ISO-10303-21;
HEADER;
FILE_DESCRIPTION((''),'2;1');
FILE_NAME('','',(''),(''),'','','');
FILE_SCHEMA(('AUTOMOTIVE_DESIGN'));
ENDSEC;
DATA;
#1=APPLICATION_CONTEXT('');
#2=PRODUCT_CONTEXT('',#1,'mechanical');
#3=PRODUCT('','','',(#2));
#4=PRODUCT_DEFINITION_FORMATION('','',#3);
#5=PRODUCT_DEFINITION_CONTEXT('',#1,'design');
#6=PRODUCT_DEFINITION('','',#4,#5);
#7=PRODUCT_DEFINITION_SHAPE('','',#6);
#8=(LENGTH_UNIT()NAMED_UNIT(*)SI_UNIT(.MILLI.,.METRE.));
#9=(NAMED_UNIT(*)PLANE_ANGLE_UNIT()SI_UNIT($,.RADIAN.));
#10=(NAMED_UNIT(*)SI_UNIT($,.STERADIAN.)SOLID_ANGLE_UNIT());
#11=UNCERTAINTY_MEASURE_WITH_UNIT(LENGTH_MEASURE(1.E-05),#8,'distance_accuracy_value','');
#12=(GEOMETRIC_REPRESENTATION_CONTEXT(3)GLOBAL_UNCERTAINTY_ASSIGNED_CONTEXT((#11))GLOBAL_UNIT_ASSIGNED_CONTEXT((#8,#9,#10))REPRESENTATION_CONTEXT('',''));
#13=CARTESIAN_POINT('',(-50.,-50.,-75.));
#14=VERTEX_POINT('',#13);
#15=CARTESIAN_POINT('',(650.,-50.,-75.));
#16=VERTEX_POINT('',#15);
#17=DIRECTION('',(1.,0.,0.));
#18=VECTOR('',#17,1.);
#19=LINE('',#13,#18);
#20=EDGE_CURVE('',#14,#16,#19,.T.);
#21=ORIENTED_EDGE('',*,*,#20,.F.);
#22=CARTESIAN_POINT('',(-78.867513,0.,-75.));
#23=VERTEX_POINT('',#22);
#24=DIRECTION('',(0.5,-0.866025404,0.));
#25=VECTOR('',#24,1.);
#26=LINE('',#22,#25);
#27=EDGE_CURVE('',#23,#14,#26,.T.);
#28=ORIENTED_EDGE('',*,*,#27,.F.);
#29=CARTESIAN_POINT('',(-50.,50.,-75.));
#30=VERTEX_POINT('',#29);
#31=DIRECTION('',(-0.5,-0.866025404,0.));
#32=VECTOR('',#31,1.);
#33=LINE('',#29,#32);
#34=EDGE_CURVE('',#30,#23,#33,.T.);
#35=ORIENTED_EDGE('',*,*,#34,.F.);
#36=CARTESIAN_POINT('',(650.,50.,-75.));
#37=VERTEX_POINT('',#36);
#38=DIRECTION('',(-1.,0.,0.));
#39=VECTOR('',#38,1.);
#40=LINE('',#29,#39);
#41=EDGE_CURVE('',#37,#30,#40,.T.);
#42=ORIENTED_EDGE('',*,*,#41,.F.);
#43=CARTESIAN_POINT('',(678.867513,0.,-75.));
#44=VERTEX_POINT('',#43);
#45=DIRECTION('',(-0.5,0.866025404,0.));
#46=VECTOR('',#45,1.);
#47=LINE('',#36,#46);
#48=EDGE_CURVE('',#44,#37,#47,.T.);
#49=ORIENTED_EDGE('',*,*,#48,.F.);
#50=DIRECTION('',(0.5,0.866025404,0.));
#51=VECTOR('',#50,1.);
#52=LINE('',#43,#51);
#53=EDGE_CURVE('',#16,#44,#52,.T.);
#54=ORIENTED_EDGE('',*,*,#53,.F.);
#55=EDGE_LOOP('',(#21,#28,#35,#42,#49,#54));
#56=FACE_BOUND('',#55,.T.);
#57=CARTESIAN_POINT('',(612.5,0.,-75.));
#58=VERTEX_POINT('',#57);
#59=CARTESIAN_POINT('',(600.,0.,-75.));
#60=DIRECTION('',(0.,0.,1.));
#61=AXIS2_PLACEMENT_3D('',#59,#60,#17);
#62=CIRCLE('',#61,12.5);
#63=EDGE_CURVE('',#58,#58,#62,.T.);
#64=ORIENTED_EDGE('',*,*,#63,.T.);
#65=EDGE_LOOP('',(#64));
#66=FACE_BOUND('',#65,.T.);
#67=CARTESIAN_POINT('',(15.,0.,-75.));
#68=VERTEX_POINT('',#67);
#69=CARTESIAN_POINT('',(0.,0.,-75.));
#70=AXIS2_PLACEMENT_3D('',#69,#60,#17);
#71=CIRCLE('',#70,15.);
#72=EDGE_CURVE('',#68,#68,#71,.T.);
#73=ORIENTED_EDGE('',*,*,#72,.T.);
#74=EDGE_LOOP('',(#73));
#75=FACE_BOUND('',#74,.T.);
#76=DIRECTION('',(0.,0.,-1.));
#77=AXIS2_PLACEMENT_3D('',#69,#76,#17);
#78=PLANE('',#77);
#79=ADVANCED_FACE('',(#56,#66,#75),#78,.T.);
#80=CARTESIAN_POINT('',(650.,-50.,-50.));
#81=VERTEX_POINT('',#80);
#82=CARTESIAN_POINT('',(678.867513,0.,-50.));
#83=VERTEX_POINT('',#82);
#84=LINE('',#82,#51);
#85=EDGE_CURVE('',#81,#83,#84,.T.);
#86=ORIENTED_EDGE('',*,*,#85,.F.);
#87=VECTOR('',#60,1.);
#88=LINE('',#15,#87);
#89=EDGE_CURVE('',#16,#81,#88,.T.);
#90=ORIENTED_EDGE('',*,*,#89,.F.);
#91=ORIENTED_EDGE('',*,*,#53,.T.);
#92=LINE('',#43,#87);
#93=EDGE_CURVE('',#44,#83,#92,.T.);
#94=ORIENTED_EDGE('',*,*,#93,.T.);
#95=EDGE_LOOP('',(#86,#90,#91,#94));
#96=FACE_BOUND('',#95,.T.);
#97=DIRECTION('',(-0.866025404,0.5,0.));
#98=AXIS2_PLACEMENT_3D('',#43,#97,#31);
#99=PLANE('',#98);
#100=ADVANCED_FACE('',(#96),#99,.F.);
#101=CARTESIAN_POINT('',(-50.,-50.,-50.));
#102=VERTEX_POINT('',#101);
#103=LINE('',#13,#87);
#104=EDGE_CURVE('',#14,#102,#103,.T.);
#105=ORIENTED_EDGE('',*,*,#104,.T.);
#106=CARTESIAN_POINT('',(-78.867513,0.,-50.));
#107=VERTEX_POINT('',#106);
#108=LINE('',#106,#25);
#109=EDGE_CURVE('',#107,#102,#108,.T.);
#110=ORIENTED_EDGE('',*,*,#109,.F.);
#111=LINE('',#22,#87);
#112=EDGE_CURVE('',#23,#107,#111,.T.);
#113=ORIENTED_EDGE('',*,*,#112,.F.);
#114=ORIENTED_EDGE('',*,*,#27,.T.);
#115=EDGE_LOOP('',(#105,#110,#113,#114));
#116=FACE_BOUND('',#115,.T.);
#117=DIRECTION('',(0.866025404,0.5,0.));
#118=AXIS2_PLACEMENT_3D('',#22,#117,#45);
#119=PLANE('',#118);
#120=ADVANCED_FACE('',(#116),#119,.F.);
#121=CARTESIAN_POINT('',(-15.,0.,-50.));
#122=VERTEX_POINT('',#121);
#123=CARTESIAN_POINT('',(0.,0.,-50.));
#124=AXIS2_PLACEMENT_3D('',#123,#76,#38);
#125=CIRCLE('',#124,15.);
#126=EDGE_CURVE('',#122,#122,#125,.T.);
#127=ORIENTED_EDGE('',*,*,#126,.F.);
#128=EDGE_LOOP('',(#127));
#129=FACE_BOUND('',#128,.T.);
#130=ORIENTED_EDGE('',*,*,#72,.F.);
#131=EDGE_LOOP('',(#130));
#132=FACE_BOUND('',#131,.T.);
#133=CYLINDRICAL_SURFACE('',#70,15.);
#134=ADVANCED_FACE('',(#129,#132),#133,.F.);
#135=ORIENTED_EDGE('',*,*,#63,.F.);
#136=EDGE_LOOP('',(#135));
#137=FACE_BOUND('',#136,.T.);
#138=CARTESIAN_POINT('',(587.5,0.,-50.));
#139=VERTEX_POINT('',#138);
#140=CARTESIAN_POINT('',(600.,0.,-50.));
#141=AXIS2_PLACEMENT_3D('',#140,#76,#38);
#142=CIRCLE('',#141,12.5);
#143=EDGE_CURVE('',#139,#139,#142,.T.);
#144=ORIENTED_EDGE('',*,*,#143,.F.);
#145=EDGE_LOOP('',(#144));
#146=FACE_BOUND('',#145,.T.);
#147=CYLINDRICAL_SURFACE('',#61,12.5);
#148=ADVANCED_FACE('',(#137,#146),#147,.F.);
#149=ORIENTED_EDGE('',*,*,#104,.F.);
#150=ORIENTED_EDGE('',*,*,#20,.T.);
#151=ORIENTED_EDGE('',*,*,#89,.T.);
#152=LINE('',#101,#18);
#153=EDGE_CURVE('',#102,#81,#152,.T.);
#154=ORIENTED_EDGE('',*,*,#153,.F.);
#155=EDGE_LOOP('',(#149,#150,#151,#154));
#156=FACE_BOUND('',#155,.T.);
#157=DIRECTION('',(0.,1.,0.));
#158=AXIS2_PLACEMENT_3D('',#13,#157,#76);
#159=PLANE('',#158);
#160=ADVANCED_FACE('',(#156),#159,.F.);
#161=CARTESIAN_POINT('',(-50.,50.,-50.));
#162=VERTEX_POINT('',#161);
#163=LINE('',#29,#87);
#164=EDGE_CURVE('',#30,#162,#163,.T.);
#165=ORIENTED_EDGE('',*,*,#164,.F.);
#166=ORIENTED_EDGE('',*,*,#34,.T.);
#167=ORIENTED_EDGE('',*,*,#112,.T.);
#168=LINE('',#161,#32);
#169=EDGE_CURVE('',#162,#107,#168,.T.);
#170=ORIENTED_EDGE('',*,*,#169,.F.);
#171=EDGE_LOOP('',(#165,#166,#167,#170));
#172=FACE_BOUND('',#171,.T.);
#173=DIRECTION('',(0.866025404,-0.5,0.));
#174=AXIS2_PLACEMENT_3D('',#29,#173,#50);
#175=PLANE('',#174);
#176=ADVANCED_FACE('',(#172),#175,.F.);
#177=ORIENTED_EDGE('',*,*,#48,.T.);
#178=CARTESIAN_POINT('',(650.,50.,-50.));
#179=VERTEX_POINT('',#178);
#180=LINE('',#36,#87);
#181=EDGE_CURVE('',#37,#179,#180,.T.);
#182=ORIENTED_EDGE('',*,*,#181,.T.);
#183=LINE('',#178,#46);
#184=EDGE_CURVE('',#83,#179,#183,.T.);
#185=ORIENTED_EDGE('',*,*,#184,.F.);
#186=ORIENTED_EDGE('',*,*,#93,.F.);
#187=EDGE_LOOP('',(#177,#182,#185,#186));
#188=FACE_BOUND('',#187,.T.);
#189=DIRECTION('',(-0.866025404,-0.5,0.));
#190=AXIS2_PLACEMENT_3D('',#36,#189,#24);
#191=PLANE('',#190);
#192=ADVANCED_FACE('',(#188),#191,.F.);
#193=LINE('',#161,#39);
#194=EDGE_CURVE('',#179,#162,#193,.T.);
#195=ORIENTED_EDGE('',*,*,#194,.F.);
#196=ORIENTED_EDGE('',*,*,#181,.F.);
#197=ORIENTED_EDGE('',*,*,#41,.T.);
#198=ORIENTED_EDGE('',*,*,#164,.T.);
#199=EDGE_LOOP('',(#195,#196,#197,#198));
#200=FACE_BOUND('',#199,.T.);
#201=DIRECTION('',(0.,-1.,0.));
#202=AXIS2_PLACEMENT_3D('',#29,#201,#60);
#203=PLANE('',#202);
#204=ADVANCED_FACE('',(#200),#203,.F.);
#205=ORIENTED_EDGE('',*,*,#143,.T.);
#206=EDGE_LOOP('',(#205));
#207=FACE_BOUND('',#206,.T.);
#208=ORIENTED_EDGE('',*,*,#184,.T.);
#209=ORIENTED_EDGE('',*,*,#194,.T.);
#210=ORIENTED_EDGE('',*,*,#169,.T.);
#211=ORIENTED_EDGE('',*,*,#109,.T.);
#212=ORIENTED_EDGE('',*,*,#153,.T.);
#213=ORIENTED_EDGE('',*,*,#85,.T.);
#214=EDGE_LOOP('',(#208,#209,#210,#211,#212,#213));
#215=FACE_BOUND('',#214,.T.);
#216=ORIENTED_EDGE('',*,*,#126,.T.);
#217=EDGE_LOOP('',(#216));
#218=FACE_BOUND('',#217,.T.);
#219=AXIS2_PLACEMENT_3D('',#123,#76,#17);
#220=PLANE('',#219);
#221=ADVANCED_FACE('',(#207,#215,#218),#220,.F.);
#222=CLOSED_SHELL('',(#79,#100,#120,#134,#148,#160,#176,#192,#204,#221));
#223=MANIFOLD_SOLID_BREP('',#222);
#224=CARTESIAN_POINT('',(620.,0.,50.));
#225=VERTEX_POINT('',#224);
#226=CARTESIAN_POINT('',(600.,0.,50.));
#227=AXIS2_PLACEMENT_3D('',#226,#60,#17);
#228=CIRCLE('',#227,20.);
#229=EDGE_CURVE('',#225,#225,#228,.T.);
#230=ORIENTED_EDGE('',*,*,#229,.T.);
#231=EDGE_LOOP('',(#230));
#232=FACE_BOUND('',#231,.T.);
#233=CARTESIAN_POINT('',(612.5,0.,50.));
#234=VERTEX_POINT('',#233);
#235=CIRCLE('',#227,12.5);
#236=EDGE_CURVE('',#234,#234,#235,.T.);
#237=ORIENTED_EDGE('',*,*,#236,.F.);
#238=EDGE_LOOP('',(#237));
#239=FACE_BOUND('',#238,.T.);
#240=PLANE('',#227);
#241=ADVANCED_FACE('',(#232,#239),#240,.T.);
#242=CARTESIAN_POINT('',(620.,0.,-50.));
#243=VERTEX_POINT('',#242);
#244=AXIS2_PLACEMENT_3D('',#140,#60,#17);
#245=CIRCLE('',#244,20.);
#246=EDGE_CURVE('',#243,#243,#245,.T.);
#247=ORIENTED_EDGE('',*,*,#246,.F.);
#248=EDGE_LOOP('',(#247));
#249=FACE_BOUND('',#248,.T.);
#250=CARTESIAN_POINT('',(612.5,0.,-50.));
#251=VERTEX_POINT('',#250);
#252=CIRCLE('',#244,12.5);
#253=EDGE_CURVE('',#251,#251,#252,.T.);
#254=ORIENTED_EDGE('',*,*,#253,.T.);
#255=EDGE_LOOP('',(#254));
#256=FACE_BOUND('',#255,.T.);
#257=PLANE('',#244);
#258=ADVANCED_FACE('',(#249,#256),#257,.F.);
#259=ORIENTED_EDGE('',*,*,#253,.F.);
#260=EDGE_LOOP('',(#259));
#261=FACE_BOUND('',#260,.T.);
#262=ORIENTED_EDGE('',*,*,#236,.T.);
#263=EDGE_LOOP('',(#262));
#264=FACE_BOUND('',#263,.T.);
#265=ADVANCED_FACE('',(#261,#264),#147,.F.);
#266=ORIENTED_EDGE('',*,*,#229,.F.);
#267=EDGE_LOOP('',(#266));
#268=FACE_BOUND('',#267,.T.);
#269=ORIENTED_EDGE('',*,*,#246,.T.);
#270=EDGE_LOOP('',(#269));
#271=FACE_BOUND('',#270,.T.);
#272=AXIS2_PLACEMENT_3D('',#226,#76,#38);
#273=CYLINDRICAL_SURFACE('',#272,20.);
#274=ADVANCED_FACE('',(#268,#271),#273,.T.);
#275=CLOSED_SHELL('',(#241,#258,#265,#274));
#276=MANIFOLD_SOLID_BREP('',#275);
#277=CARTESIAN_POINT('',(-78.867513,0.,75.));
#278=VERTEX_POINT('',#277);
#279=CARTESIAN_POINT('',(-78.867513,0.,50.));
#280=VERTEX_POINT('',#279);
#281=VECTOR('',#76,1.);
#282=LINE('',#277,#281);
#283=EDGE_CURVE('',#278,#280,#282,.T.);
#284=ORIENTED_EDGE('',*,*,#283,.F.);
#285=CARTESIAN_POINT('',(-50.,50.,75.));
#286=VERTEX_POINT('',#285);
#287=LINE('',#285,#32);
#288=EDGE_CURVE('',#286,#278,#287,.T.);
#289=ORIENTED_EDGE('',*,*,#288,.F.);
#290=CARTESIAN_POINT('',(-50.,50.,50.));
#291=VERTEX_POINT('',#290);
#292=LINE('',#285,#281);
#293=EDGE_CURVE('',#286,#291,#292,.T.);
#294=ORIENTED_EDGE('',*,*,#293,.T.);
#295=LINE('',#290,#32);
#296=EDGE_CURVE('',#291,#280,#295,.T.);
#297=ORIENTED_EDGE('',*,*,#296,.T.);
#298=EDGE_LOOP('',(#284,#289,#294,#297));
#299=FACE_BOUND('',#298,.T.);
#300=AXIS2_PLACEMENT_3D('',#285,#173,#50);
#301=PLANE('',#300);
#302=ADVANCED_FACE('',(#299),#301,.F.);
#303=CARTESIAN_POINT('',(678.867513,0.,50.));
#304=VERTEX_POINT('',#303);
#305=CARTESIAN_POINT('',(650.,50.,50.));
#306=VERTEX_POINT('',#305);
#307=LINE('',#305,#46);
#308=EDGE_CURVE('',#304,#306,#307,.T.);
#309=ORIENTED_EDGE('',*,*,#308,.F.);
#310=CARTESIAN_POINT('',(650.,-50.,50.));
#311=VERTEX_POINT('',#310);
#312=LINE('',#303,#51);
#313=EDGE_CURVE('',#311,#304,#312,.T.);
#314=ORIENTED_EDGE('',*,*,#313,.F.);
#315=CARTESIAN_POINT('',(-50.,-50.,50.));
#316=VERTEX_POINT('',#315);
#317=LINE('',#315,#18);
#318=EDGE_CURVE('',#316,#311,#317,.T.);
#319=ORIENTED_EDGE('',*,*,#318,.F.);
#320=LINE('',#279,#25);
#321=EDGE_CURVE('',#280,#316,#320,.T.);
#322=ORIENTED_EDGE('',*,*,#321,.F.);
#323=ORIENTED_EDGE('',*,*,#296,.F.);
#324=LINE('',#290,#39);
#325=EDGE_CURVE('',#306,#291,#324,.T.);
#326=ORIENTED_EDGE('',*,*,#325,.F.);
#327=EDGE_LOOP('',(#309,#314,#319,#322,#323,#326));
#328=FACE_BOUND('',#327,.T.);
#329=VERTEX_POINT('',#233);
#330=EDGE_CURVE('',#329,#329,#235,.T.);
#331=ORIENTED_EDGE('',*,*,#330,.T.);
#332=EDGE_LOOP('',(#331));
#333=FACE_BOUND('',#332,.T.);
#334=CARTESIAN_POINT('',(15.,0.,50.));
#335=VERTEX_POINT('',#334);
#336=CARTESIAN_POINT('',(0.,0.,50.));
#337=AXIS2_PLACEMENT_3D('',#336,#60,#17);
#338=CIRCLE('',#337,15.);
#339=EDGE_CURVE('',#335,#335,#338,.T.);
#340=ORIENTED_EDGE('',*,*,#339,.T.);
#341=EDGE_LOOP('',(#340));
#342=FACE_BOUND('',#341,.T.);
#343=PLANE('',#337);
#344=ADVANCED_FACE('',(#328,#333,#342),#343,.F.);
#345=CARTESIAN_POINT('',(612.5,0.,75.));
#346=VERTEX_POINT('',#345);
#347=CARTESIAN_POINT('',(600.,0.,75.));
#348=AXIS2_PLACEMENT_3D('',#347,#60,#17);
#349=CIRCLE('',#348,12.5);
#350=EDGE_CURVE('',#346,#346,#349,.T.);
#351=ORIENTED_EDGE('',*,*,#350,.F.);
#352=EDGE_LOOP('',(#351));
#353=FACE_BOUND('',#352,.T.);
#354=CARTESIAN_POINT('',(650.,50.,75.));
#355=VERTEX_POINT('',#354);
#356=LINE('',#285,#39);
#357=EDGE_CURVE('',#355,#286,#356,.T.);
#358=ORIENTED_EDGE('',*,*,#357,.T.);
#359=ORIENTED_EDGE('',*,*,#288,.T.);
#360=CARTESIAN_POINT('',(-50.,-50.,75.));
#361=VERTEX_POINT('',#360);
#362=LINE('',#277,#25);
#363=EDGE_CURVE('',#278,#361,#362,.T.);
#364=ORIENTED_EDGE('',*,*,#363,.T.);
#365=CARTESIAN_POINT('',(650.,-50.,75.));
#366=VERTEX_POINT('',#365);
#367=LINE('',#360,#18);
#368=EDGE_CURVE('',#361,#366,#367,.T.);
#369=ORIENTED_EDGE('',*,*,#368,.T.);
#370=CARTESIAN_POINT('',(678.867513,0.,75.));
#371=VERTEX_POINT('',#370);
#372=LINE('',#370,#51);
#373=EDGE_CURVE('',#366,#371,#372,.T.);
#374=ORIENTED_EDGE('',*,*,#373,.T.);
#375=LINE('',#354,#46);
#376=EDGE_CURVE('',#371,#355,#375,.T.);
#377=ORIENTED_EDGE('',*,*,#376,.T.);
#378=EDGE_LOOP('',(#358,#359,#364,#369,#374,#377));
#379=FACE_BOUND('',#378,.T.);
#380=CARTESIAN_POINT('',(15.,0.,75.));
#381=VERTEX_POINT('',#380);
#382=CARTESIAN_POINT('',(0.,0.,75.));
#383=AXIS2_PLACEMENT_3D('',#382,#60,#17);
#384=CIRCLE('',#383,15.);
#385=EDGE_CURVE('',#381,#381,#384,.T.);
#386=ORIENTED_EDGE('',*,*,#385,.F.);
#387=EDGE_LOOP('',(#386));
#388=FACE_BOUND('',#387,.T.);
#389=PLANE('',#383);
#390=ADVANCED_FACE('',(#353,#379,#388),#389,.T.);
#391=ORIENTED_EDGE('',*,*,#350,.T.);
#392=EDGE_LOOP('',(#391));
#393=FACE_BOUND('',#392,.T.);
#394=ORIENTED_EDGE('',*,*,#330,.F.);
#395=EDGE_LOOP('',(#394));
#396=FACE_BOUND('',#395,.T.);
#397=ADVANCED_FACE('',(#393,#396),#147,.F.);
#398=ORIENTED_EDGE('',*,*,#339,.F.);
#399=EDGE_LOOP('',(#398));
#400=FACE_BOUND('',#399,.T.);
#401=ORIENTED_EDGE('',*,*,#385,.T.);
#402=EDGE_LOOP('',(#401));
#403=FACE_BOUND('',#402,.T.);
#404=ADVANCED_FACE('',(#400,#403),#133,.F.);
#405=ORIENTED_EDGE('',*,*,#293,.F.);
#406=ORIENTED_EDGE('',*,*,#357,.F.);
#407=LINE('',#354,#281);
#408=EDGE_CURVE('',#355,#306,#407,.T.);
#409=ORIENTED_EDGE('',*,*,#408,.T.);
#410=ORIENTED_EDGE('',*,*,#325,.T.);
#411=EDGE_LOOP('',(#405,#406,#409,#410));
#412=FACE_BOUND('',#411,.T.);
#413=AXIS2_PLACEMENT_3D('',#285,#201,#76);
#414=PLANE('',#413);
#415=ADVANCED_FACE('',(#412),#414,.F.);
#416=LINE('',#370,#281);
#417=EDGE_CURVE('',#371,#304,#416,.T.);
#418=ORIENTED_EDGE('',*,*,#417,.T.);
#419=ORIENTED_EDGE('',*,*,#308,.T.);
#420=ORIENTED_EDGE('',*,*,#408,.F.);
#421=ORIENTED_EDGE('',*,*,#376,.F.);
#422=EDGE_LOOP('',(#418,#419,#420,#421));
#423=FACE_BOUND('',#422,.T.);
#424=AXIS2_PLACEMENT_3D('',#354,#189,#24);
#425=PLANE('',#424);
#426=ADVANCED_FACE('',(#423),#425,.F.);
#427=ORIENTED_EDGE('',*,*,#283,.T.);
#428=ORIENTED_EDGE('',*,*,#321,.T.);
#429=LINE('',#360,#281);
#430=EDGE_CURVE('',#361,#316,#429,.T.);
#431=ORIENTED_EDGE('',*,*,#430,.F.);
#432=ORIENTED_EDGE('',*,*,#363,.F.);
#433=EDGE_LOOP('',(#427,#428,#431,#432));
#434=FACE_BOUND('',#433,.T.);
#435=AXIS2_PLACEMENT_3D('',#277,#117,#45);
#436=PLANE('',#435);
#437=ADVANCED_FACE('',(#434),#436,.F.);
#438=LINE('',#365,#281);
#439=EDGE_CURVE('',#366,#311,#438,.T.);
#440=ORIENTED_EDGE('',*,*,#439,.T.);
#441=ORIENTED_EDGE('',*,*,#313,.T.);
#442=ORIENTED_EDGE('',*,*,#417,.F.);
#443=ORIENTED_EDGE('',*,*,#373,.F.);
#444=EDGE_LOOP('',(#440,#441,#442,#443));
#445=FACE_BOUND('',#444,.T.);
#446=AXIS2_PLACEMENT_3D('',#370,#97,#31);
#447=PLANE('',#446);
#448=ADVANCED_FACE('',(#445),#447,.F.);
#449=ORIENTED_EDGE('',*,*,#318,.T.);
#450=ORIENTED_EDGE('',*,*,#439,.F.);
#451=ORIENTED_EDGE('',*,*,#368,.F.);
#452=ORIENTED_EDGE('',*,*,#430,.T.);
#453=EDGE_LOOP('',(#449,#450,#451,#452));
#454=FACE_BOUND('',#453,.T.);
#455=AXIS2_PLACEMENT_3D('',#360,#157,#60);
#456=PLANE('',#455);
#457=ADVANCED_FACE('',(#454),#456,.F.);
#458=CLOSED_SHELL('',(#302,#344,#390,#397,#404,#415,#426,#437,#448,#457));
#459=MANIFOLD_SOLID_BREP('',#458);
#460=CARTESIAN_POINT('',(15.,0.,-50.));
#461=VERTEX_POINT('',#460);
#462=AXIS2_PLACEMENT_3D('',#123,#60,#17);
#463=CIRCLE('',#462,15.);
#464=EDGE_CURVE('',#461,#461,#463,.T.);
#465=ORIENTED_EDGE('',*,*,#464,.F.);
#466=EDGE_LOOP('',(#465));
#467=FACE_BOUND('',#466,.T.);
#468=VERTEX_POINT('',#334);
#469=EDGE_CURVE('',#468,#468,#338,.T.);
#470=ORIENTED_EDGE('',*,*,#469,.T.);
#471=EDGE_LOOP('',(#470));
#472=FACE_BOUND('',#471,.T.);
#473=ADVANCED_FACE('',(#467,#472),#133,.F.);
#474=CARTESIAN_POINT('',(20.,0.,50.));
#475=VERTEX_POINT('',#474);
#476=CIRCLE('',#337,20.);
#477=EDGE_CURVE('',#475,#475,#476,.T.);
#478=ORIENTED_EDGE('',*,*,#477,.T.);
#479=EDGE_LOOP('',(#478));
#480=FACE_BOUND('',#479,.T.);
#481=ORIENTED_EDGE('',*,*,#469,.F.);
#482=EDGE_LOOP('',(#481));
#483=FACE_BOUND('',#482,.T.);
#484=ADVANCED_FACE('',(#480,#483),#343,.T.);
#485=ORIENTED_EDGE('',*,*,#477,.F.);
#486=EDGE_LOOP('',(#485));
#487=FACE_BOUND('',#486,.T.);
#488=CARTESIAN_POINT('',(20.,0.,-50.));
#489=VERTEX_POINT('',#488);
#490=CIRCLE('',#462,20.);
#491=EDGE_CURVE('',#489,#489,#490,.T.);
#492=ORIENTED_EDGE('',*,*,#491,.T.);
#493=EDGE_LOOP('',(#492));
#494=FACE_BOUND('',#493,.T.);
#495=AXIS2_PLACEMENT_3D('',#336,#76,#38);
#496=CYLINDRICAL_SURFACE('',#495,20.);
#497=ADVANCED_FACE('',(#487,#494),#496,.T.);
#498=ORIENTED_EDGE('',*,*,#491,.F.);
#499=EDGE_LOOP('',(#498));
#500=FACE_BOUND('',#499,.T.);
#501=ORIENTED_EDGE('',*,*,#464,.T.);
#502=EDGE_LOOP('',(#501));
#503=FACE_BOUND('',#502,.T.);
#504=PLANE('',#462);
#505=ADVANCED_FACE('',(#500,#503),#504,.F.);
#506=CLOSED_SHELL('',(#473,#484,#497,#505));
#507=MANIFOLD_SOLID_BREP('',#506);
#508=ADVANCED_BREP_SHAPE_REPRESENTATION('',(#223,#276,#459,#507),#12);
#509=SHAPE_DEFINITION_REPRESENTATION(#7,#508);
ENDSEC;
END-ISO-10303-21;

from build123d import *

# Parameters (mm, degrees)
SKETCH1_R             = 20
BOSS_EXTRUDE1_DEPTH   = 50
BOSS_EXTRUDE1_2_DEPTH = 50
BOSS_EXTRUDE2_DEPTH   = 25
SKETCH3_R             = 15
CUT_EXTRUDE1_DEPTH    = 698.037374056
SKETCH4_R             = 12.5
CUT_EXTRUDE2_DEPTH    = 698.037374056


with BuildPart() as part:
    # Sketch1 → Boss-Extrude1 (new, symmetric)
    with BuildSketch(Plane.XY):
        Circle(SKETCH1_R)
    extrude(amount=BOSS_EXTRUDE1_DEPTH, both=True)


with BuildPart() as body_2:
    # Sketch1 → Boss-Extrude1 2 (new, symmetric)
    with BuildSketch(Plane.XY):
        with Locations((600, 0)):
            Circle(SKETCH1_R)
    extrude(amount=BOSS_EXTRUDE1_2_DEPTH, both=True)


with BuildPart() as body_3:
    # Sketch2 → Boss-Extrude2 (new body)
    with BuildSketch(Plane.XY.offset(50)):
        Polygon((-50, 50), (-78.867513459, 0), (-50, -50), (650, -50), (678.867513459, 0), (650, 50), align=None)
    extrude(amount=BOSS_EXTRUDE2_DEPTH)


with BuildPart() as body_4:
    # Mirror1: mirrored copy
    add(body_3.part.mirror(Plane.XY))


with BuildPart() as cut_extrude1_tool:
    # Sketch3 → Cut-Extrude1 (new, through all)
    with BuildSketch(Plane.XY.offset(75)):
        Circle(SKETCH3_R)
        with Locations((700, 0)):
            Circle(SKETCH3_R)
    extrude(amount=-CUT_EXTRUDE1_DEPTH)


with BuildPart() as part_1:
    add(part.part)

    # Cut-Extrude1: cut by cut_extrude1_tool
    add(cut_extrude1_tool.part, mode=Mode.SUBTRACT)


with BuildPart() as body_3_1:
    add(body_3.part)

    # Cut-Extrude1: cut by cut_extrude1_tool
    add(cut_extrude1_tool.part, mode=Mode.SUBTRACT)


with BuildPart() as body_4_1:
    add(body_4.part)

    # Cut-Extrude1: cut by cut_extrude1_tool
    add(cut_extrude1_tool.part, mode=Mode.SUBTRACT)


with BuildPart() as cut_extrude2_tool:
    # Sketch4 → Cut-Extrude2 (new, through all)
    with BuildSketch(Plane.XY.offset(75)):
        with Locations((600, 0)):
            Circle(SKETCH4_R)
    extrude(amount=-CUT_EXTRUDE2_DEPTH)


with BuildPart() as body_2_1:
    add(body_2.part)

    # Cut-Extrude2: cut by cut_extrude2_tool
    add(cut_extrude2_tool.part, mode=Mode.SUBTRACT)


with BuildPart() as body_3_2:
    add(body_3_1.part)

    # Cut-Extrude2: cut by cut_extrude2_tool
    add(cut_extrude2_tool.part, mode=Mode.SUBTRACT)


with BuildPart() as body_4_2:
    add(body_4_1.part)

    # Cut-Extrude2: cut by cut_extrude2_tool
    add(cut_extrude2_tool.part, mode=Mode.SUBTRACT)


solid = Compound([part_1.part, body_2_1.part, body_3_2.part, body_4_2.part])
